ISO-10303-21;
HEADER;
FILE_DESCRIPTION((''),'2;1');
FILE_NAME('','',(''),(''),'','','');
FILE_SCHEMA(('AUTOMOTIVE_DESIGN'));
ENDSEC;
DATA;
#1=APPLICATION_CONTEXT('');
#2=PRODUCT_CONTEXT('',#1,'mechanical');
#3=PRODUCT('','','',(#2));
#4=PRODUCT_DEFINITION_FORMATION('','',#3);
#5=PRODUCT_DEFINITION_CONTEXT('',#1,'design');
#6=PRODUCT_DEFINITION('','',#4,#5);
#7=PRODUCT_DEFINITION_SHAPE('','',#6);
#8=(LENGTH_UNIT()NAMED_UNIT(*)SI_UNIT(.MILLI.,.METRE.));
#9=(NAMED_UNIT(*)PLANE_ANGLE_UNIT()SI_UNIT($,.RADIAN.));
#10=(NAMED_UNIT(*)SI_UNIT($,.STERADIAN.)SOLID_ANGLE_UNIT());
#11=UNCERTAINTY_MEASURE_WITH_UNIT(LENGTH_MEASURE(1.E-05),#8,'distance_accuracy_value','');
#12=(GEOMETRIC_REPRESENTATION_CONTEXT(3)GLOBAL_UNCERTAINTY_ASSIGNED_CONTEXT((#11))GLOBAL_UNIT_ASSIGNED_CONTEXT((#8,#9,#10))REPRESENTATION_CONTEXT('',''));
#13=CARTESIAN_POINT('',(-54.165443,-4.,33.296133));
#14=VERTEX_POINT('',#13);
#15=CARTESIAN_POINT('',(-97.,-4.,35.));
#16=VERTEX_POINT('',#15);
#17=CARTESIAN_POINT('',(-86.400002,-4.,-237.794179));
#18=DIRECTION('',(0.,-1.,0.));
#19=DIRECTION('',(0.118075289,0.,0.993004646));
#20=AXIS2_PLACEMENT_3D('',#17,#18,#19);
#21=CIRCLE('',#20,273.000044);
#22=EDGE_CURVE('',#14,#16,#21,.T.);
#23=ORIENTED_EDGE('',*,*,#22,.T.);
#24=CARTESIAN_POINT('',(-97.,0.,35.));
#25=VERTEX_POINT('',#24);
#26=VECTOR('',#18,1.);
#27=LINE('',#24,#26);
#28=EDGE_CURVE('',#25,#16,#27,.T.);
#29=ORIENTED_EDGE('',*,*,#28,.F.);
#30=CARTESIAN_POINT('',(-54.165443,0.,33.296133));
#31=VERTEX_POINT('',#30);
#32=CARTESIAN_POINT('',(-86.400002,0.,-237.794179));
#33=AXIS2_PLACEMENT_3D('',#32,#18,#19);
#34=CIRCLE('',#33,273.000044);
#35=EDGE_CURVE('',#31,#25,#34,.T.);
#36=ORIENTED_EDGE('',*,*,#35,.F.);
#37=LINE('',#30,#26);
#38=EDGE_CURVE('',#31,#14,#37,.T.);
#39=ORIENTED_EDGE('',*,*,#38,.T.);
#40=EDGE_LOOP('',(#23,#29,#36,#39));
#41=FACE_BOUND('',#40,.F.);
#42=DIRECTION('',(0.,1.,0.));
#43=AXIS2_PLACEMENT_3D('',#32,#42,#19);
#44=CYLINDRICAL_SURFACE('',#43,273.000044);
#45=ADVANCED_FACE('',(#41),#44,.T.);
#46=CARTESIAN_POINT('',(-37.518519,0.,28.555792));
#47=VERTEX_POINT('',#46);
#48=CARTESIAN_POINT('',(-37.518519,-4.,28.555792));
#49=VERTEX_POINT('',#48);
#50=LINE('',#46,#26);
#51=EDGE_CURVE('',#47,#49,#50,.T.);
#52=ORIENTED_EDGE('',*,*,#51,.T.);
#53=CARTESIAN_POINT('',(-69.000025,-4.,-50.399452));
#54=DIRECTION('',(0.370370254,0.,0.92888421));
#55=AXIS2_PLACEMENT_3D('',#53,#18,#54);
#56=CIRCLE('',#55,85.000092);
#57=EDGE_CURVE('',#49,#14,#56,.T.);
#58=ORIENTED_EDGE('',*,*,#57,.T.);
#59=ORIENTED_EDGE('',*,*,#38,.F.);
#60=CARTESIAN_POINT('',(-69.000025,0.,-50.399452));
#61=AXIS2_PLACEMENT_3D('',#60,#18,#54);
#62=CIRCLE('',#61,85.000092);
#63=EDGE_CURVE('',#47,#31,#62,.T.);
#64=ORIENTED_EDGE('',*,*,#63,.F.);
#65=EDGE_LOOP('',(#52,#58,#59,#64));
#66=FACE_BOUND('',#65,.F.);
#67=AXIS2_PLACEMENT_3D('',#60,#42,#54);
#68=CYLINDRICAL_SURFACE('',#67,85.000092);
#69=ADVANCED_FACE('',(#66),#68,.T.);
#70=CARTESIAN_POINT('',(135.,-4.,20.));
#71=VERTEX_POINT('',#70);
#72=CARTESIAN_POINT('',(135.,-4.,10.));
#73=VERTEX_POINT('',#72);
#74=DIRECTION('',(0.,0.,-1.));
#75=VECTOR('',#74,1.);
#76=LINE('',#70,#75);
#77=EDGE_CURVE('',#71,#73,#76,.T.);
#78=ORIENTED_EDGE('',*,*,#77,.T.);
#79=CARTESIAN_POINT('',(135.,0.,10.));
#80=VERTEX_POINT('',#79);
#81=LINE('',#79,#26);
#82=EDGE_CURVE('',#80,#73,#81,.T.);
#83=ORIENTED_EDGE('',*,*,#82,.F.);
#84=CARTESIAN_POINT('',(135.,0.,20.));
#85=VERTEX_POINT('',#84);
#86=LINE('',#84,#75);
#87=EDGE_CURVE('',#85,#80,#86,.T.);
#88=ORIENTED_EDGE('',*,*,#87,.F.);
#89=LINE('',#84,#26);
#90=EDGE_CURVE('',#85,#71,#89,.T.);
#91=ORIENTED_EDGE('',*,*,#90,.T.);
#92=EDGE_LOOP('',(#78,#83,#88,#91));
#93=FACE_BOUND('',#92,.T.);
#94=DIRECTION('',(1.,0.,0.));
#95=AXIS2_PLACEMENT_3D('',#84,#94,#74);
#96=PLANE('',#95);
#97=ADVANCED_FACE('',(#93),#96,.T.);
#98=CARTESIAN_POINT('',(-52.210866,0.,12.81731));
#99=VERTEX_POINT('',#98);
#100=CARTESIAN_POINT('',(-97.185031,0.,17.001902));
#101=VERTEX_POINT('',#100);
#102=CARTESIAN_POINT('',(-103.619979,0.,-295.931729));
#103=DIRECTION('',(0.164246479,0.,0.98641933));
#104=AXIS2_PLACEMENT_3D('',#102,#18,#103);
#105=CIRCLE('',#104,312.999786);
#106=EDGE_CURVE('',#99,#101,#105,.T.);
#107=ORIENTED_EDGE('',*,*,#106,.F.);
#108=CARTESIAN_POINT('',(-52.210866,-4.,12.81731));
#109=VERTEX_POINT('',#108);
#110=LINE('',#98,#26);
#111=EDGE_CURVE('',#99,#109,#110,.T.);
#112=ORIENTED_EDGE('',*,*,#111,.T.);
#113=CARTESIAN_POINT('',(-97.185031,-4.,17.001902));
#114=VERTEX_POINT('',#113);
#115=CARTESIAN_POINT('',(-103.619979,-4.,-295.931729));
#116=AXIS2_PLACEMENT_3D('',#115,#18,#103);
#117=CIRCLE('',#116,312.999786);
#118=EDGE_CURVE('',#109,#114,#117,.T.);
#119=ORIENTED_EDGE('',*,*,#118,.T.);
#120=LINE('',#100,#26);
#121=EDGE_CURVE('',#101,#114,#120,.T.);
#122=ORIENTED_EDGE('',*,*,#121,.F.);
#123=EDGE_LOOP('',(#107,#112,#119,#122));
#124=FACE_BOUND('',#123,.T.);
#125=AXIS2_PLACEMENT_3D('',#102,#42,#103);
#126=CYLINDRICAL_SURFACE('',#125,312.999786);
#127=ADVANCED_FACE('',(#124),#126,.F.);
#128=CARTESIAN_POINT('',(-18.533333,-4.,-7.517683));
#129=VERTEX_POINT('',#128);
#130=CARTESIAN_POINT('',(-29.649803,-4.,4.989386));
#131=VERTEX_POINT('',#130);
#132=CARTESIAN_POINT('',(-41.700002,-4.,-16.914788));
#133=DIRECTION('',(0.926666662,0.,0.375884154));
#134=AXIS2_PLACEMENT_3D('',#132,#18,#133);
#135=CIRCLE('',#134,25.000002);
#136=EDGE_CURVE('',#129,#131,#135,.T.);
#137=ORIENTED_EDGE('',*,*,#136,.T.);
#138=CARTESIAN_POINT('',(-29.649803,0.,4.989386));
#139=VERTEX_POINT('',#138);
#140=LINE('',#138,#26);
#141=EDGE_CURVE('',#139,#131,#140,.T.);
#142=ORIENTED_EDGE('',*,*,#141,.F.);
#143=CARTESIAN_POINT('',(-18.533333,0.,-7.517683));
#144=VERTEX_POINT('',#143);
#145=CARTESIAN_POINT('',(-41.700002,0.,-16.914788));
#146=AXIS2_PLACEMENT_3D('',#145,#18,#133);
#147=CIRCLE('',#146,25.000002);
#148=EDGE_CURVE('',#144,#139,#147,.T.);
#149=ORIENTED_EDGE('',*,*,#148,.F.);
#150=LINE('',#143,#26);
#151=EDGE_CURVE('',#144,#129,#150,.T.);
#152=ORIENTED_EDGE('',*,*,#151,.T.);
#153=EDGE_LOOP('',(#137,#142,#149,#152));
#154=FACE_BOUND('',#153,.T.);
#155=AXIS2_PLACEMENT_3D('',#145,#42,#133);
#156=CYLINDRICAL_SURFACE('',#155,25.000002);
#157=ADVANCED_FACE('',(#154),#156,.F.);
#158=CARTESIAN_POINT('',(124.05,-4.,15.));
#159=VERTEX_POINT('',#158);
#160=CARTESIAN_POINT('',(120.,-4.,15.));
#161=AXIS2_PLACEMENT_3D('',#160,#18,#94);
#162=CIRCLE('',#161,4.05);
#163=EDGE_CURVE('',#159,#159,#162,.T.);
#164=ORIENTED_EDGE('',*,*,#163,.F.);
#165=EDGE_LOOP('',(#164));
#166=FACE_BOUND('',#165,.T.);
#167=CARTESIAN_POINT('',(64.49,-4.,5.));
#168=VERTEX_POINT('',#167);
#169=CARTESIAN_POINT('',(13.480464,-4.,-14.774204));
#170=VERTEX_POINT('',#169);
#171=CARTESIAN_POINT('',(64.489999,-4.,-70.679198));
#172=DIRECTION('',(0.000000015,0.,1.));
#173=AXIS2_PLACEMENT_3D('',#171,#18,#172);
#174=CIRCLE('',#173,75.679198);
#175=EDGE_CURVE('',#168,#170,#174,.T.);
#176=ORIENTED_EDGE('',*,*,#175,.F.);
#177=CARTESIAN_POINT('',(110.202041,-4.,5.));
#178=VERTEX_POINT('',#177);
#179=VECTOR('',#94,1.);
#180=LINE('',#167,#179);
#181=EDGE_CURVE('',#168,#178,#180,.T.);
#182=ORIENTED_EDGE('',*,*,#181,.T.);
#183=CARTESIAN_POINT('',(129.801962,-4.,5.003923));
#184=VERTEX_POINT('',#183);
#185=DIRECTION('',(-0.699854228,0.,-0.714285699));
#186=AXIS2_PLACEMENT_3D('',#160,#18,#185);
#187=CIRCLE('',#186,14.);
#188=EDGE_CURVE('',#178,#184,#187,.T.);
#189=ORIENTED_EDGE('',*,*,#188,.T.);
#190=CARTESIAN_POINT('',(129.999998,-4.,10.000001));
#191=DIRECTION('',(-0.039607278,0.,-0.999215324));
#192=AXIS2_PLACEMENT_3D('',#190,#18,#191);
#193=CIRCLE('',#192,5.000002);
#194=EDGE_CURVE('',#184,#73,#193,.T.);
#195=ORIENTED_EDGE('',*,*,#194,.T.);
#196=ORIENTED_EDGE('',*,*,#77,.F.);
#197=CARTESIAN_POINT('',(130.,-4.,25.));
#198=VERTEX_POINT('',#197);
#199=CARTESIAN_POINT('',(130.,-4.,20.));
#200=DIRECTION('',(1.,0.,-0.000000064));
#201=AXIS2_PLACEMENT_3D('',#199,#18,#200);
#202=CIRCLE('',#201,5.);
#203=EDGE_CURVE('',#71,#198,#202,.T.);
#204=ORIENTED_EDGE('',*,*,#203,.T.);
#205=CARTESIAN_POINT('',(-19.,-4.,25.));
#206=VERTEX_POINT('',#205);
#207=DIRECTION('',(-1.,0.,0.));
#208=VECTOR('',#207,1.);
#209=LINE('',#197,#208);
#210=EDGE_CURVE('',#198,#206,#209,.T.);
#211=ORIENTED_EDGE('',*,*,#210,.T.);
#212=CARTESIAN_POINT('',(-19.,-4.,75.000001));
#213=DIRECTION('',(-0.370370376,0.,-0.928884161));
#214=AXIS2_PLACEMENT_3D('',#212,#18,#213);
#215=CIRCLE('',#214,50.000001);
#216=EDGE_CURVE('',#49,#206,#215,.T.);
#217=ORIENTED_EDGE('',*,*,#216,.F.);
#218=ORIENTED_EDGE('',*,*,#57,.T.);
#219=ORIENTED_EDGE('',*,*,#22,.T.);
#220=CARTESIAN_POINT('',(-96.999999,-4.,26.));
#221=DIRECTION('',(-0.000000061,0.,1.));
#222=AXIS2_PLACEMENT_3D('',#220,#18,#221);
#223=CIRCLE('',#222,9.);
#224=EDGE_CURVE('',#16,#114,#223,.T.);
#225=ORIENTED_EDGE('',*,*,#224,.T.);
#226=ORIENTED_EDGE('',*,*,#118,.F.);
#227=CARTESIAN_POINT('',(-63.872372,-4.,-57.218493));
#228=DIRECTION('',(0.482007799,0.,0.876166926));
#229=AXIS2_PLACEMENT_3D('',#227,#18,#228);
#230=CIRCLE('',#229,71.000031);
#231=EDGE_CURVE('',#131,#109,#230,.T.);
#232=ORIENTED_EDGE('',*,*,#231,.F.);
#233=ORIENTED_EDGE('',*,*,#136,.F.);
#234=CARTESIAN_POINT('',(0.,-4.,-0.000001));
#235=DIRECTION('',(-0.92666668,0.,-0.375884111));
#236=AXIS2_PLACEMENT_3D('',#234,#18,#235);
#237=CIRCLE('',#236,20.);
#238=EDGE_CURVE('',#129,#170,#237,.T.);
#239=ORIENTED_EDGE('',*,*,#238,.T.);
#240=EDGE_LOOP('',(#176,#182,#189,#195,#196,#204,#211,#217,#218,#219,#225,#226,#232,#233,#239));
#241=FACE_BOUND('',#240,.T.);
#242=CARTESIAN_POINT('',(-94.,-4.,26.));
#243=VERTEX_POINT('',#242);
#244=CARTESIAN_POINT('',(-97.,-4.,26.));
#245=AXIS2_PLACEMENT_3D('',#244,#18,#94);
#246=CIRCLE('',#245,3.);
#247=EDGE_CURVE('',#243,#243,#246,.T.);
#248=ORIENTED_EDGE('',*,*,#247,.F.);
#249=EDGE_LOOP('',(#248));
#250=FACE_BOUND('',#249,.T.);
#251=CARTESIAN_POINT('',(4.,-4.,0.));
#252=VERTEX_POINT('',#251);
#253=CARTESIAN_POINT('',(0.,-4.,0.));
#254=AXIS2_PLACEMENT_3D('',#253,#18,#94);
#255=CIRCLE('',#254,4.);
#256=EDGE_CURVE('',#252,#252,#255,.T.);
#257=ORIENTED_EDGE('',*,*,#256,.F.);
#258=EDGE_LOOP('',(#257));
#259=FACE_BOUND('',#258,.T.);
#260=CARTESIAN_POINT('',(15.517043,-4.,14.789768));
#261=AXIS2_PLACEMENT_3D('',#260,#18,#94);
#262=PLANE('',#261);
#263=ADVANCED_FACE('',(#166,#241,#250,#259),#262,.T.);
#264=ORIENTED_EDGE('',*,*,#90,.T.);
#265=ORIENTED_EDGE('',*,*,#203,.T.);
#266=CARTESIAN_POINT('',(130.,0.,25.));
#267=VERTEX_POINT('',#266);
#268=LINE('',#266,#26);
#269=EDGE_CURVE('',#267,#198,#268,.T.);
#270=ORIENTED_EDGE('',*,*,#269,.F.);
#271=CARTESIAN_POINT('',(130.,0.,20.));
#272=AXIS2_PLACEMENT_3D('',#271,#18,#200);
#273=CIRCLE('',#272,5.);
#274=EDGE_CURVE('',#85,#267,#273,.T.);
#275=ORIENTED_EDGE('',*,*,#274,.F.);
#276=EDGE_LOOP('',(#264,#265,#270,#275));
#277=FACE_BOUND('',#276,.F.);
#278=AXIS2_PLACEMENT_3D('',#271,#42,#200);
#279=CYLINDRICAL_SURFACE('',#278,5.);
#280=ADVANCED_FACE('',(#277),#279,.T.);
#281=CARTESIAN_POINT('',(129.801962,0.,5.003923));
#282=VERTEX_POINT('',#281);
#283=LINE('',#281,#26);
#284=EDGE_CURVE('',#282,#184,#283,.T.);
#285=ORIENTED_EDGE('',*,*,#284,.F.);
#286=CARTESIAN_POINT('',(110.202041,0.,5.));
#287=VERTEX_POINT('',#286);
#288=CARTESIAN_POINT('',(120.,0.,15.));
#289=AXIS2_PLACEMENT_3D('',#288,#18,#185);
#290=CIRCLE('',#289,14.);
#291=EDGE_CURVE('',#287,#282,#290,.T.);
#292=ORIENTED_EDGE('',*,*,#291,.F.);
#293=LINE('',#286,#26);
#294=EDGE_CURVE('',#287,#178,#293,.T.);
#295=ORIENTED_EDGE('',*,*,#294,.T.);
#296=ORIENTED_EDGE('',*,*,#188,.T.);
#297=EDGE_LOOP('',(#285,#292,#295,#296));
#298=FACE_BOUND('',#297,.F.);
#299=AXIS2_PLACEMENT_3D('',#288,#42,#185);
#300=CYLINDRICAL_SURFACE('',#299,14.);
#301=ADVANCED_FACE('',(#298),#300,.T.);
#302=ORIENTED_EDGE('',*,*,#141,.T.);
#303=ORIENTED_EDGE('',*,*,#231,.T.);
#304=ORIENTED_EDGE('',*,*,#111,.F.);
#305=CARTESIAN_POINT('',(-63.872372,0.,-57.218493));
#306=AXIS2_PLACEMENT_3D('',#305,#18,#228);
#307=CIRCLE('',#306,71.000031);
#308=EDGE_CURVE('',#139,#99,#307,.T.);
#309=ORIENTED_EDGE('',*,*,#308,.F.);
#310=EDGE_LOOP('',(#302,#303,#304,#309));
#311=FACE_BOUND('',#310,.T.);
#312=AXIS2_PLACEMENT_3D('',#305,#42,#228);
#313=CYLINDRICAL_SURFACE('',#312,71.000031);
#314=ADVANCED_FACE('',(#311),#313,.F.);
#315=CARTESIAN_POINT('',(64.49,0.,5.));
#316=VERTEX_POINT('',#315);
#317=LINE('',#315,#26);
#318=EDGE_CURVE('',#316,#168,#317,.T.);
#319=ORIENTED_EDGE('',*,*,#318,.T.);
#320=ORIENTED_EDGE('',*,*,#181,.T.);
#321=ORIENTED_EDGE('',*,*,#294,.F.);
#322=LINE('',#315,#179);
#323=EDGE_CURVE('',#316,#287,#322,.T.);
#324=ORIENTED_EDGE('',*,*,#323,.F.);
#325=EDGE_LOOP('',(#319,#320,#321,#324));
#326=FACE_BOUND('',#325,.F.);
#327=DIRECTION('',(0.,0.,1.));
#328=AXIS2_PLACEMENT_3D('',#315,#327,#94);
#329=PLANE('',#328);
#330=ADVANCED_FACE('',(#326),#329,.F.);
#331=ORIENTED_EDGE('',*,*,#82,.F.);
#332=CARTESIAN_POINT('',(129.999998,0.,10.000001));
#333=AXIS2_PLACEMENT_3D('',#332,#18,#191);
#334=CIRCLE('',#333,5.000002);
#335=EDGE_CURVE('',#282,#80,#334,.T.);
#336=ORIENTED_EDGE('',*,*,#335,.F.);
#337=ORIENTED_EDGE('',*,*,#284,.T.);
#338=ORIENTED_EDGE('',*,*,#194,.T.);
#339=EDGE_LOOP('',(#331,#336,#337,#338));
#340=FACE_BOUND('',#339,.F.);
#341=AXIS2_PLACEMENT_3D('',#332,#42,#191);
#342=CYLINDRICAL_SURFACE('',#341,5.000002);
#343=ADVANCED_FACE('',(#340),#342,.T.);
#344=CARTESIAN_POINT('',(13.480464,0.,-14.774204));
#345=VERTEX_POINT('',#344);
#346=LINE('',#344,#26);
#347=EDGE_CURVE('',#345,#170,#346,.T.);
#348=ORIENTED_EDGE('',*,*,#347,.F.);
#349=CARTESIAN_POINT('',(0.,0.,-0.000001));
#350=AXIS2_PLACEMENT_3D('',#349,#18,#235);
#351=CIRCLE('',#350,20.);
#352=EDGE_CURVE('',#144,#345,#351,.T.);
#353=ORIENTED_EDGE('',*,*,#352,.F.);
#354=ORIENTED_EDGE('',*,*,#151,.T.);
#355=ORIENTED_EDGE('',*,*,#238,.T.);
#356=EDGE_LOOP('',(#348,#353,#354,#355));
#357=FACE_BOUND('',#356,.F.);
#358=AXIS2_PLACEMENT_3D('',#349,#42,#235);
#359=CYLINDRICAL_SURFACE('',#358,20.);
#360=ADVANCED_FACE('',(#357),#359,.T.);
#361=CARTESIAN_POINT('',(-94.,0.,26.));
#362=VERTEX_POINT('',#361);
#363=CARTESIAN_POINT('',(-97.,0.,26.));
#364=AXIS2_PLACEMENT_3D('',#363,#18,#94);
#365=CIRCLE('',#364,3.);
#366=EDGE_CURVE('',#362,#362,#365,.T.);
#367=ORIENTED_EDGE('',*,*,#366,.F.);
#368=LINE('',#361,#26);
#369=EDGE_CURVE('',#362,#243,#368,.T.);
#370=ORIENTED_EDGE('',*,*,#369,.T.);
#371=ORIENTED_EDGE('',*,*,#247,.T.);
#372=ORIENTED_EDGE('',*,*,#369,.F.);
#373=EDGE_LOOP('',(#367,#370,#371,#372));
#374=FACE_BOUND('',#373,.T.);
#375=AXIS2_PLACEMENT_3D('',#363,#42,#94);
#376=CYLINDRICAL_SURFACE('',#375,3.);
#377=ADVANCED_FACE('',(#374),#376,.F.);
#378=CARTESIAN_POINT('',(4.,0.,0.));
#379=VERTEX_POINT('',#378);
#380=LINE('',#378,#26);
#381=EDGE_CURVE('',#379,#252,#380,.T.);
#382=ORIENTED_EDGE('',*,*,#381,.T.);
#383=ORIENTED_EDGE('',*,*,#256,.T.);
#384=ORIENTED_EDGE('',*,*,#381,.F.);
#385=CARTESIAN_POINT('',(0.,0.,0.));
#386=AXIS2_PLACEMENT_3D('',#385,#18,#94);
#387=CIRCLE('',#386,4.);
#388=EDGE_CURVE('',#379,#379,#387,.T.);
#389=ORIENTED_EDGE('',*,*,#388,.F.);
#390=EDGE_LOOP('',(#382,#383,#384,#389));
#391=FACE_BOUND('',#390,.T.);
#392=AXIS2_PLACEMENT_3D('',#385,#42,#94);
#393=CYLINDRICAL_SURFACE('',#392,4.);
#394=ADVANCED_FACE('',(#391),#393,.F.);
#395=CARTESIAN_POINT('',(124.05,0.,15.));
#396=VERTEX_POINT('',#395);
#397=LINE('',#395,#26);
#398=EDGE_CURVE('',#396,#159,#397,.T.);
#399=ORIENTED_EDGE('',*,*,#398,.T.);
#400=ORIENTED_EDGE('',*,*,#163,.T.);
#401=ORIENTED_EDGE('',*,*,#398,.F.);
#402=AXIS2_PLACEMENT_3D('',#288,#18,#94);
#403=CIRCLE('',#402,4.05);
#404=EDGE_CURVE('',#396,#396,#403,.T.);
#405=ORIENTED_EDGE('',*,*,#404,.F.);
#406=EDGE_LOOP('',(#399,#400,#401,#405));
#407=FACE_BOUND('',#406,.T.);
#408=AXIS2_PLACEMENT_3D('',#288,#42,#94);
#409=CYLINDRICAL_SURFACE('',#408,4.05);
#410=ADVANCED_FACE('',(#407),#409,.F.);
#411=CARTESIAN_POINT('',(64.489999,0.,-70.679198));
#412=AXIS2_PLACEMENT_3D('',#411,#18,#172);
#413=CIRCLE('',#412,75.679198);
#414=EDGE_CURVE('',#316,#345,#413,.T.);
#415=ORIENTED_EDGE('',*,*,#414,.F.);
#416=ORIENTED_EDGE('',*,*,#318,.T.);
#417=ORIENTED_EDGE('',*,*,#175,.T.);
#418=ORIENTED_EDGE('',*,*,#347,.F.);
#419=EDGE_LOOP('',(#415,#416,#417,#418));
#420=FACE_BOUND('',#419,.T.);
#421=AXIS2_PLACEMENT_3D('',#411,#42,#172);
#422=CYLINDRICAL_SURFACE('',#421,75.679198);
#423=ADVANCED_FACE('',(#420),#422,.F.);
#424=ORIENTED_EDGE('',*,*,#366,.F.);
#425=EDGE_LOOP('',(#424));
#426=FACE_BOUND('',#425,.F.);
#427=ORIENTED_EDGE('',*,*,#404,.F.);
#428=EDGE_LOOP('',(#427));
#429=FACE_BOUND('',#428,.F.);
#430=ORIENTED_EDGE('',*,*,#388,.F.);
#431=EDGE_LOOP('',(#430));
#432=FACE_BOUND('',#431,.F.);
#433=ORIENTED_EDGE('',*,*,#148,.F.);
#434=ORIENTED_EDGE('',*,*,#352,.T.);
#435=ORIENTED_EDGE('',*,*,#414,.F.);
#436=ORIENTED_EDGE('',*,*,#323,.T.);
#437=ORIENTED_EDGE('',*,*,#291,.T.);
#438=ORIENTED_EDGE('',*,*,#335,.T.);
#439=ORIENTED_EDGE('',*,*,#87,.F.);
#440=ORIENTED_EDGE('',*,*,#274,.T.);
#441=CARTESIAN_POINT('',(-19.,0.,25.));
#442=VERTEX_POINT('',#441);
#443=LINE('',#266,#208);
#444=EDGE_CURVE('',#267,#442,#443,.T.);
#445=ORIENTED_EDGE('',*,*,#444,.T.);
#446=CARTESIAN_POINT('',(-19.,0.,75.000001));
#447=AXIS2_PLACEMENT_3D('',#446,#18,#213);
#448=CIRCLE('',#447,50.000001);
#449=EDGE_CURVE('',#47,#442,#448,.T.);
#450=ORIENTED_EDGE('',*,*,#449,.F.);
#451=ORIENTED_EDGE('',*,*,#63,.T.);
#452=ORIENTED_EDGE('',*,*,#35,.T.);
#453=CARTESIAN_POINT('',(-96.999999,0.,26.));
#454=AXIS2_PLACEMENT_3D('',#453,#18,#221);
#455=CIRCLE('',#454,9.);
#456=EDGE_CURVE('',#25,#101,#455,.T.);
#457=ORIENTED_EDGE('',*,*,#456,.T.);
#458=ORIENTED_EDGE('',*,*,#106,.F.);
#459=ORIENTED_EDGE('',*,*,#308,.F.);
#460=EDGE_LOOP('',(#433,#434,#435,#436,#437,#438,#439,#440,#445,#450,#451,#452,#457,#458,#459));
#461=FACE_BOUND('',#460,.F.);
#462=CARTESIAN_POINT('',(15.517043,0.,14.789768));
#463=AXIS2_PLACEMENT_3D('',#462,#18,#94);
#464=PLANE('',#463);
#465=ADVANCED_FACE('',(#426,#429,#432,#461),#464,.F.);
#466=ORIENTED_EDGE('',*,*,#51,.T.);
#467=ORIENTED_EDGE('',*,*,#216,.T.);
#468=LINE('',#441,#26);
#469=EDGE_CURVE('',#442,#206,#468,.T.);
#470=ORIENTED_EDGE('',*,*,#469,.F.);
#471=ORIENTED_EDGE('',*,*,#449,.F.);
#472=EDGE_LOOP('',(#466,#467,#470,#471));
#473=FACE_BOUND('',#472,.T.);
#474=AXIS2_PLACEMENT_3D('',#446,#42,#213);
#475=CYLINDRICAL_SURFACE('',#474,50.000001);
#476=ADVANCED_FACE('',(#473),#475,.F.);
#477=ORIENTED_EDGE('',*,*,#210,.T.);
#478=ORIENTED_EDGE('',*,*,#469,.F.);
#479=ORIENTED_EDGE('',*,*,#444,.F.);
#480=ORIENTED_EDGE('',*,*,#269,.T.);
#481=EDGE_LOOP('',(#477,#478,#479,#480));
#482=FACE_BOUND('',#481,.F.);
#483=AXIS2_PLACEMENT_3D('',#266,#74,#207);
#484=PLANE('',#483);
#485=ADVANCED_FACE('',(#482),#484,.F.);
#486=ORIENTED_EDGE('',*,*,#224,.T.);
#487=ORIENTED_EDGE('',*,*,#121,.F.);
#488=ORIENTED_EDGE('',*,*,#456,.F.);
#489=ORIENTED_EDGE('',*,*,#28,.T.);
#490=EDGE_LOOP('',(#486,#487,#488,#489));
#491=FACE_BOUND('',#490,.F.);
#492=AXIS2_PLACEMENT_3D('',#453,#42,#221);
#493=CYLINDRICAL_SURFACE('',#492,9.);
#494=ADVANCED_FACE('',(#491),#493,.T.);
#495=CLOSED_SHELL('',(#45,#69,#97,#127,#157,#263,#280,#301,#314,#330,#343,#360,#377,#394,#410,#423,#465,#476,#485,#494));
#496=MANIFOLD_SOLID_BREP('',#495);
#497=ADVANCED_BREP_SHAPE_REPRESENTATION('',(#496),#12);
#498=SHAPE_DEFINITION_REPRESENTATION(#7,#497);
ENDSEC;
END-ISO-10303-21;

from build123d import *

# Parameters (mm, degrees)
SKETCH_R   = 4
SKETCH_R_2 = 3
SKETCH_R_3 = 4.05
PAD_DEPTH  = 4


with BuildPart() as part:
    # Sketch → Pad (new body)
    with BuildSketch(Plane.XZ):
        with BuildLine():
            ThreePointArc((-18.533333, -7.517683), (-4.421216, -19.505201), (13.480464, -14.774204))
            ThreePointArc((64.49, 5), (37.135878, -0.116509), (13.480464, -14.774204))
            Line((64.49, 5), (110.202041, 5))
            ThreePointArc((110.202041, 5), (120.002802, 1), (129.801962, 5.003923))
            ThreePointArc((129.801962, 5.003923), (133.464809, 6.395129), (135, 10))
            Line((135, 20), (135, 10))
            ThreePointArc((135, 20), (133.535534, 23.535534), (130, 25))
            Line((130, 25), (-19, 25))
            ThreePointArc((-37.518519, 28.555792), (-28.428404, 25.896994), (-19, 25))
            ThreePointArc((-37.518519, 28.555792), (-45.721006, 31.350796), (-54.165443, 33.296133))
            ThreePointArc((-54.165443, 33.296133), (-75.549225, 34.99014), (-97, 35))
            ThreePointArc((-97, 35), (-105.999524, 26.09252), (-97.185031, 17.001902))
            ThreePointArc((-52.210866, 12.81731), (-74.622366, 15.721932), (-97.185031, 17.001902))
            ThreePointArc((-29.649803, 4.989386), (-40.598863, 9.858688), (-52.210866, 12.81731))
            ThreePointArc((-18.533333, -7.517683), (-23.014081, -0.306462), (-29.649803, 4.989386))
        make_face()
        Circle(SKETCH_R, mode=Mode.SUBTRACT)
        with Locations((-97, 26)):
            Circle(SKETCH_R_2, mode=Mode.SUBTRACT)
        with Locations((120, 15)):
            Circle(SKETCH_R_3, mode=Mode.SUBTRACT)
    extrude(amount=PAD_DEPTH)


solid = part.part
